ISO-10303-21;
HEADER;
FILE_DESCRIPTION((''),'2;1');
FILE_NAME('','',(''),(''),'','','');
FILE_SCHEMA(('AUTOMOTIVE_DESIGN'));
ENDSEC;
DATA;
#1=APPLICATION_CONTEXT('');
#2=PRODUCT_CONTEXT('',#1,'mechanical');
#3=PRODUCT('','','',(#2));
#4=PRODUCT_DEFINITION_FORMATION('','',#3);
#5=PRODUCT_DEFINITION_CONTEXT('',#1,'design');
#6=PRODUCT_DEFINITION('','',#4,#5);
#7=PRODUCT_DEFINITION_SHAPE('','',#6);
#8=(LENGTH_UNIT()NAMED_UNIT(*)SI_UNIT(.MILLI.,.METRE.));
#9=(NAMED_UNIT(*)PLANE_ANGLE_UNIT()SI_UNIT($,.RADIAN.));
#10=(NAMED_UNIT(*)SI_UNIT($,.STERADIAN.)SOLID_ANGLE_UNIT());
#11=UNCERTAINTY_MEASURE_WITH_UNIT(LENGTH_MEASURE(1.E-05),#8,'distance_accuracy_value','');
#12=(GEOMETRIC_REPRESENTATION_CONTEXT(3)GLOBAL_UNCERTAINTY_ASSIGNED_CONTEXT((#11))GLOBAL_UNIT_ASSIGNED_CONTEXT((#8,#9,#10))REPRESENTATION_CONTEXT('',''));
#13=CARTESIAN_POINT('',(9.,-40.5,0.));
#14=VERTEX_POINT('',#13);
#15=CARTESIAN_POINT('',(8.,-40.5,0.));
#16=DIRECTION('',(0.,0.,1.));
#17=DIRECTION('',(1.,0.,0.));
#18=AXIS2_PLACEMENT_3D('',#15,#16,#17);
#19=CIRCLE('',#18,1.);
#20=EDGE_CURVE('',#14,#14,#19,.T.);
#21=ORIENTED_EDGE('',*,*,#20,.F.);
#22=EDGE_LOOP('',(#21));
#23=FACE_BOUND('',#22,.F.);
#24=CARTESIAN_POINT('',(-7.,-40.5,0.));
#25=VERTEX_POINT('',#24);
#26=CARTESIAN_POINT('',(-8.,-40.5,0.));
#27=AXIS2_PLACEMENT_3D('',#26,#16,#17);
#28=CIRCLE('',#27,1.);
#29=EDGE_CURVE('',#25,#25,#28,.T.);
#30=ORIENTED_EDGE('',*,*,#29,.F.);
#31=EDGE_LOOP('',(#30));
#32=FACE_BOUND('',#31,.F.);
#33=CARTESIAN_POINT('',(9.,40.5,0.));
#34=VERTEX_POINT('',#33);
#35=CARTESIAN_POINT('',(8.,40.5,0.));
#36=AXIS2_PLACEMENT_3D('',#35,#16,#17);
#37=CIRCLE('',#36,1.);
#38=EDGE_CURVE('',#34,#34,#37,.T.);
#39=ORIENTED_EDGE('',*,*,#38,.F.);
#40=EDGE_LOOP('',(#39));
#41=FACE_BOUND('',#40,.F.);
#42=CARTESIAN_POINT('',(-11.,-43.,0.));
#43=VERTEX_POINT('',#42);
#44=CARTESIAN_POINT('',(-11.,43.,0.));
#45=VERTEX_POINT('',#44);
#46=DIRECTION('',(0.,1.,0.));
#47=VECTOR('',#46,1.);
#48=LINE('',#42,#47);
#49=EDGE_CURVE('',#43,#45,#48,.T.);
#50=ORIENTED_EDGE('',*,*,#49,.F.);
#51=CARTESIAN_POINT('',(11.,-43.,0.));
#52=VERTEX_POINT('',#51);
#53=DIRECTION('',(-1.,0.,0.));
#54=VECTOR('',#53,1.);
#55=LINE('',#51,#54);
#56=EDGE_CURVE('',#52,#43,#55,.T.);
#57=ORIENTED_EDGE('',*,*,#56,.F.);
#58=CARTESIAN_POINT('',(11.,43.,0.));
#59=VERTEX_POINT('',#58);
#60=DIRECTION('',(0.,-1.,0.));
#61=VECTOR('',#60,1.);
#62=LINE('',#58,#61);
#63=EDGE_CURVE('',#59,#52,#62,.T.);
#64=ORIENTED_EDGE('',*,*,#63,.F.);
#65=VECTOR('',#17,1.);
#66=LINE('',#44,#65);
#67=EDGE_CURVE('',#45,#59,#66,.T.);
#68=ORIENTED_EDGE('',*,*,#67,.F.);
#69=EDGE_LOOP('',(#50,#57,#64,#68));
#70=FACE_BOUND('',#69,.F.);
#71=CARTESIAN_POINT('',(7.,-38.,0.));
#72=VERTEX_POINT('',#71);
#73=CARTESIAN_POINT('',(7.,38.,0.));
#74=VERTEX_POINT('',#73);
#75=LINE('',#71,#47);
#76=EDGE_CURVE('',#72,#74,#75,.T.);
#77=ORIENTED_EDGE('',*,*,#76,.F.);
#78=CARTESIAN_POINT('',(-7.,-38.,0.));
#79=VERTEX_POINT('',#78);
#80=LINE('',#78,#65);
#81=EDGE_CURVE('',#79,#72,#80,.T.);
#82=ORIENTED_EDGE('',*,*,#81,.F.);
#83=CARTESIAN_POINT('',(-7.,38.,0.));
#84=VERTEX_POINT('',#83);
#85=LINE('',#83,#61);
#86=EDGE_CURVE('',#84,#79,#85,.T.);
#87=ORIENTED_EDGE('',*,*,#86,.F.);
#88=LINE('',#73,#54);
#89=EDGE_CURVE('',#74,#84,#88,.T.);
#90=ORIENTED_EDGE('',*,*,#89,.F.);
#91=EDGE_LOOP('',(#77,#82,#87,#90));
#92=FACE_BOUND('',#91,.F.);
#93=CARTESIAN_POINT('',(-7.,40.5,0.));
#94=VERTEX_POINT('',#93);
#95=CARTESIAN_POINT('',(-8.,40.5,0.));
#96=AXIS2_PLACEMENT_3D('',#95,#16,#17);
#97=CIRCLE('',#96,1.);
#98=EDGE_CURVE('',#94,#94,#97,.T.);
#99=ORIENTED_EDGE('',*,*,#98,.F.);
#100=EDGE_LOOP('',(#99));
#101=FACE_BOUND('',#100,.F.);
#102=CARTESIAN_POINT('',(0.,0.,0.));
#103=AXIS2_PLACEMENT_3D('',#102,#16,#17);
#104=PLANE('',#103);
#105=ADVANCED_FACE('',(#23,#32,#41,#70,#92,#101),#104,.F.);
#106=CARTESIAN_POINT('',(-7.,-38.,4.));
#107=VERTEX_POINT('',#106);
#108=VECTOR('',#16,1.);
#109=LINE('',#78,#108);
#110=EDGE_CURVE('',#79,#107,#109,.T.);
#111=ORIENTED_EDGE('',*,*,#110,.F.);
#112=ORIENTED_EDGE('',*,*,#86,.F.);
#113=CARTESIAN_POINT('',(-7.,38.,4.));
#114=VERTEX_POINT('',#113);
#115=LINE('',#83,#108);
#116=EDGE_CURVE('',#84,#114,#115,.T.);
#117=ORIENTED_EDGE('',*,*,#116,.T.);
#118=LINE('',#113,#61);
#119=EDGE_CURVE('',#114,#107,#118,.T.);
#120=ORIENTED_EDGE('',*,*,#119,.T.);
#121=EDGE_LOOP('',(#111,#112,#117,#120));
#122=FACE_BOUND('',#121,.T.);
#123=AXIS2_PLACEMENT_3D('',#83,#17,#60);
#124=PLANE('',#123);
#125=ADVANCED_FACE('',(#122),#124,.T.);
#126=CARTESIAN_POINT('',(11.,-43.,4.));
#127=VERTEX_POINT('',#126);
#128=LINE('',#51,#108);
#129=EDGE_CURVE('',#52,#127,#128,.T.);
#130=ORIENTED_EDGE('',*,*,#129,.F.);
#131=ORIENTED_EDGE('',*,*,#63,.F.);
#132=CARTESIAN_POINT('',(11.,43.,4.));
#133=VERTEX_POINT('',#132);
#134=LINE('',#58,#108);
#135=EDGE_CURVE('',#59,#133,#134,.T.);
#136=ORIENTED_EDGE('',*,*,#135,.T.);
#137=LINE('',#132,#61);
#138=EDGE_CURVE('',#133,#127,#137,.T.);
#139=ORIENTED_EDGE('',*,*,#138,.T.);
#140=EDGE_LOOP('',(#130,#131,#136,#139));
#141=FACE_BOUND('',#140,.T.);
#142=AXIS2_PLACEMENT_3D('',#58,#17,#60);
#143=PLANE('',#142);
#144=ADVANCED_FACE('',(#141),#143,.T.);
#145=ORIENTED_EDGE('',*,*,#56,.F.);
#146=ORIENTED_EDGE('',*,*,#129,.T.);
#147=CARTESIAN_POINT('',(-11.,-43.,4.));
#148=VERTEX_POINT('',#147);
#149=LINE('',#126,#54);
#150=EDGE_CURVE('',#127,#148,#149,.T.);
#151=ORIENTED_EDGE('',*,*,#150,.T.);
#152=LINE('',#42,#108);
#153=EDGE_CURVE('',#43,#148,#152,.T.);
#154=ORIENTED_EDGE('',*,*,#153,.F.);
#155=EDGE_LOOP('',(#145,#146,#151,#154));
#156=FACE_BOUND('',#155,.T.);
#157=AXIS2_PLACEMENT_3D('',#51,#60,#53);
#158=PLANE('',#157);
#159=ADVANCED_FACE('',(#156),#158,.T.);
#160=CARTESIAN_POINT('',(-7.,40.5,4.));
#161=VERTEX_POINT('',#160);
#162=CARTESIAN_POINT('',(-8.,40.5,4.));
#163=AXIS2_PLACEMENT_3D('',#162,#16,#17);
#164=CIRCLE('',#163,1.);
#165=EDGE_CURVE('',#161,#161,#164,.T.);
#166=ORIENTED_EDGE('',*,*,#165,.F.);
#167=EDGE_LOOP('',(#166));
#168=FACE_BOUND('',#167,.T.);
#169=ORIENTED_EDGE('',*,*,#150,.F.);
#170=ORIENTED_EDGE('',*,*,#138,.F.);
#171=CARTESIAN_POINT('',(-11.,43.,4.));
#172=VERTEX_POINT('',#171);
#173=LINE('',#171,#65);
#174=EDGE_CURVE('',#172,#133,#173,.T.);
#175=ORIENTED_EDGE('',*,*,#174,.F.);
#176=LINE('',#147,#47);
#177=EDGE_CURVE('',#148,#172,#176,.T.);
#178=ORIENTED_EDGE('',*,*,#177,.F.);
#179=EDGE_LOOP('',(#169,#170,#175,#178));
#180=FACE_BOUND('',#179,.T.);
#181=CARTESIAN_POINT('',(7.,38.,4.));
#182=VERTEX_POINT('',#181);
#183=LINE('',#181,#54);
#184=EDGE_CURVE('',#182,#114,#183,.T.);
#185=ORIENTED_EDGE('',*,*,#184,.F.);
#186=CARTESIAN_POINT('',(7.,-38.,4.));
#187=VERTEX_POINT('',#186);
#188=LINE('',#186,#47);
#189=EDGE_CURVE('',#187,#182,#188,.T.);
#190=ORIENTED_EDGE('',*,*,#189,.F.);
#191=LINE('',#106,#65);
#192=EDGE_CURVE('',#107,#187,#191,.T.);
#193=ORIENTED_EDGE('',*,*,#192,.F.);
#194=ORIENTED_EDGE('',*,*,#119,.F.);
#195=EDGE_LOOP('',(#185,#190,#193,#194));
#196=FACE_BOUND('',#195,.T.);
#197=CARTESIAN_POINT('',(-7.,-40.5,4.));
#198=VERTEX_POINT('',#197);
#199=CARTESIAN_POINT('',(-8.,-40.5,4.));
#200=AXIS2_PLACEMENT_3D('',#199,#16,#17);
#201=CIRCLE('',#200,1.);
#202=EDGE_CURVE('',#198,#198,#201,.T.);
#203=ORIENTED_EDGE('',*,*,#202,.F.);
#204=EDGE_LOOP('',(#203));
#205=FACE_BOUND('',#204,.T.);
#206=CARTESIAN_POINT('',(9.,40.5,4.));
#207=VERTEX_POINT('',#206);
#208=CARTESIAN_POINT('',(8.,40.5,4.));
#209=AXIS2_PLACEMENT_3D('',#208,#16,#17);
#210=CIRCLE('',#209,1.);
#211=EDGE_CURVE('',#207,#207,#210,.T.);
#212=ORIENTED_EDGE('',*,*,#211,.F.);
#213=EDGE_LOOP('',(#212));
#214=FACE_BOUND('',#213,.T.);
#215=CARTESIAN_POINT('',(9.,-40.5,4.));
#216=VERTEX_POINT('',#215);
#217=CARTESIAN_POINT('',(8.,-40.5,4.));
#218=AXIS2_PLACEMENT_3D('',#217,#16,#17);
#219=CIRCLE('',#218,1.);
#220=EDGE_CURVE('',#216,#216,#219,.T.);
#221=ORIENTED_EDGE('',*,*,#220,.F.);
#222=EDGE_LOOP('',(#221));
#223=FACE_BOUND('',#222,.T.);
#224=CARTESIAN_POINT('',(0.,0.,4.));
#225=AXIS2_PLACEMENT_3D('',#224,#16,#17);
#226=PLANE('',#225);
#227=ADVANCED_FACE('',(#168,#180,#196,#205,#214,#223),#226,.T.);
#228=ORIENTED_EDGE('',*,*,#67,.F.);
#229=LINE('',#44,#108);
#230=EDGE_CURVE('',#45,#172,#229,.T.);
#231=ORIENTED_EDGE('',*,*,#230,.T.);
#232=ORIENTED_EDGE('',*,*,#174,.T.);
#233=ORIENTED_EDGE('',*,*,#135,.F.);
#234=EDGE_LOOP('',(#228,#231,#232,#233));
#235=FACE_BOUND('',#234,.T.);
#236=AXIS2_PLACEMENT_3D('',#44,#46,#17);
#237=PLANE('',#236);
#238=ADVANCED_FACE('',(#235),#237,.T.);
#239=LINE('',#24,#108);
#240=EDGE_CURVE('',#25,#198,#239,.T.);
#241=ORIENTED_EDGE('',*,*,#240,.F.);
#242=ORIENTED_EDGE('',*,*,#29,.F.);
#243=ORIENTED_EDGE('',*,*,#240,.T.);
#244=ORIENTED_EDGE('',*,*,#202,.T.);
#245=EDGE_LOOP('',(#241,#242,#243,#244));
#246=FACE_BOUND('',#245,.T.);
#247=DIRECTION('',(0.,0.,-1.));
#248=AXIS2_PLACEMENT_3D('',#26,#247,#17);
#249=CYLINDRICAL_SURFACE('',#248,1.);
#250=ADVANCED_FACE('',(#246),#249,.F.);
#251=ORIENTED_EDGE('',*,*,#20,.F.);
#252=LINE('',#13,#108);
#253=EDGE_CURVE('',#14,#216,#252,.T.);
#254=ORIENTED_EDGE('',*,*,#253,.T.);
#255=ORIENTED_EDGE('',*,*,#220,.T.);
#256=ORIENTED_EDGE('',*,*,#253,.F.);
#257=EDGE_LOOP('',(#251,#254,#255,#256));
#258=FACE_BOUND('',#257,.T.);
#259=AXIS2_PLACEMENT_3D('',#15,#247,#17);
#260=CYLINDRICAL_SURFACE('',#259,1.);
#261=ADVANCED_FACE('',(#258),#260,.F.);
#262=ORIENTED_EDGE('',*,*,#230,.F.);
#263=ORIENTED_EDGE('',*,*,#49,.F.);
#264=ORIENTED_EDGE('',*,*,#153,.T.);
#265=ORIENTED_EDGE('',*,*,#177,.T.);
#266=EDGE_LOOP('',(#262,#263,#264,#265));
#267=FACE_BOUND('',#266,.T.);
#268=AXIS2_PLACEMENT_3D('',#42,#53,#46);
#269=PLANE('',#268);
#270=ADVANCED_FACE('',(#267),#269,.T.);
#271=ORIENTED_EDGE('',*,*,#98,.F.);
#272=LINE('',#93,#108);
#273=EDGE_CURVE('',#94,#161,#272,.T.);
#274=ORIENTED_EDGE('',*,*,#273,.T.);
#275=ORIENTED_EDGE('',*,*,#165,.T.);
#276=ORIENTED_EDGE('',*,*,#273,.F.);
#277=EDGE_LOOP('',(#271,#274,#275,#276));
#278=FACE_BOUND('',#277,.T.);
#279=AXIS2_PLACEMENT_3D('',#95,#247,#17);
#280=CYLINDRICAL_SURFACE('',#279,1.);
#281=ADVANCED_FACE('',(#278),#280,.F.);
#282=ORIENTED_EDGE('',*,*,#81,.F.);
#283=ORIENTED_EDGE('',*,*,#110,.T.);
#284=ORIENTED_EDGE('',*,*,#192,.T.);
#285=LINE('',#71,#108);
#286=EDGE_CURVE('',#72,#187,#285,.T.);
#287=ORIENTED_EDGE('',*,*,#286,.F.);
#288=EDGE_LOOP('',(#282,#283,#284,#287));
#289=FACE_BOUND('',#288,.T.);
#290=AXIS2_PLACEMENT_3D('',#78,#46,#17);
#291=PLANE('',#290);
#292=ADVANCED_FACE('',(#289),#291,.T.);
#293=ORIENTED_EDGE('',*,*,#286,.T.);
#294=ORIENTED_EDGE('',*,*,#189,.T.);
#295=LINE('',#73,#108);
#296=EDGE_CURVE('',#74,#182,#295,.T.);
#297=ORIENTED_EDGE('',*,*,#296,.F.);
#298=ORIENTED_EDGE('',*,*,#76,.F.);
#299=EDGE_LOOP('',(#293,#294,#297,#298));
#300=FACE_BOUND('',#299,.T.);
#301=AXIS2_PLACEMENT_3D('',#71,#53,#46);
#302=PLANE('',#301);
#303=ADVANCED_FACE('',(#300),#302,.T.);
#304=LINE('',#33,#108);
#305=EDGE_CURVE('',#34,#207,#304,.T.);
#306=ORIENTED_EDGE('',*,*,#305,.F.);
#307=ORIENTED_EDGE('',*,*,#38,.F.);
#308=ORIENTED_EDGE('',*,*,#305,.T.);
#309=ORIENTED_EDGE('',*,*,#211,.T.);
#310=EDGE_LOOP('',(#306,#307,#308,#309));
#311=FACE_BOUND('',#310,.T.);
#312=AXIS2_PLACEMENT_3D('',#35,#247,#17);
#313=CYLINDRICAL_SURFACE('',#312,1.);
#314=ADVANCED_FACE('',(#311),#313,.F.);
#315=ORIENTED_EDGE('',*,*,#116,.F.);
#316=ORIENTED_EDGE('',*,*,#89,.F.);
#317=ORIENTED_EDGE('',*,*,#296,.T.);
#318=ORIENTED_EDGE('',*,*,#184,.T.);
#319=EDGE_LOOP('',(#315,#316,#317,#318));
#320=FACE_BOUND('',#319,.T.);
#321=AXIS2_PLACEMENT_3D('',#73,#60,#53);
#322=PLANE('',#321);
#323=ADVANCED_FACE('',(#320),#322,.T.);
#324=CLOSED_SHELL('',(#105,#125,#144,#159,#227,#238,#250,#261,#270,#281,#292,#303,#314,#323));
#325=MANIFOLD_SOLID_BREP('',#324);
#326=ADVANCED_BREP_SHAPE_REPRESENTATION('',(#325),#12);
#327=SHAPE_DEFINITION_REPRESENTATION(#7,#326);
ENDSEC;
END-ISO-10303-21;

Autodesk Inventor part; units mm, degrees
ref_plane "YZ Plane" through (0, 0, 0) normal (1, 0, 0) x (0, 1, 0)
ref_plane "XZ Plane" through (0, 0, 0) normal (0, 1, 0) x (-1, 0, 0)
ref_plane "XY Plane" through (0, 0, 0) normal (0, 0, 1) x (1, 0, 0)
sketch "Sketch1" plane through (0, 0, 0) normal (0, 0, 1) x (1, 0, 0)
  line L0 (-11, 43) -> (11, 43)
  line L1 (11, 43) -> (11, -43)
  line L2 (11, -43) -> (-11, -43)
  line L3 (-11, -43) -> (-11, 43)
  line L4 (-11, 43) -> (11, -43) construction
  line L5 (11, 43) -> (-11, -43) construction
  circle A0 centre (-8, 40.5) radius 1
  circle A1 centre (8, 40.5) radius 1
  circle A2 centre (-8, -40.5) radius 1
  circle A3 centre (8, -40.5) radius 1
  line L6 (7, 38) -> (-7, 38)
  line L7 (-7, 38) -> (-7, -38)
  line L8 (-7, -38) -> (7, -38)
  line L9 (7, -38) -> (7, 38)
  line L10 (7, 38) -> (-7, -38) construction
  line L11 (-7, 38) -> (7, -38) construction
  point P0 (0, 0)
  dimension "d0" = 22
  dimension "d1" = 86
  dimension "d2" = 2
  dimension "d3" = 2
  dimension "d4" = 2
  dimension "d5" = 2
  dimension "d6" = 3
  dimension "d7" = 2.5
  dimension "d8" = 3
  dimension "d9" = 2.5
  dimension "d10" = 2.5
  dimension "d11" = 3
  dimension "d12" = 3
  dimension "d13" = 2.5
  dimension "d14" = 14
  dimension "d15" = 76
extrude "Extrusion1" add sketch "Sketch1" along normal blind 4
properties part number "PartC_3D"
